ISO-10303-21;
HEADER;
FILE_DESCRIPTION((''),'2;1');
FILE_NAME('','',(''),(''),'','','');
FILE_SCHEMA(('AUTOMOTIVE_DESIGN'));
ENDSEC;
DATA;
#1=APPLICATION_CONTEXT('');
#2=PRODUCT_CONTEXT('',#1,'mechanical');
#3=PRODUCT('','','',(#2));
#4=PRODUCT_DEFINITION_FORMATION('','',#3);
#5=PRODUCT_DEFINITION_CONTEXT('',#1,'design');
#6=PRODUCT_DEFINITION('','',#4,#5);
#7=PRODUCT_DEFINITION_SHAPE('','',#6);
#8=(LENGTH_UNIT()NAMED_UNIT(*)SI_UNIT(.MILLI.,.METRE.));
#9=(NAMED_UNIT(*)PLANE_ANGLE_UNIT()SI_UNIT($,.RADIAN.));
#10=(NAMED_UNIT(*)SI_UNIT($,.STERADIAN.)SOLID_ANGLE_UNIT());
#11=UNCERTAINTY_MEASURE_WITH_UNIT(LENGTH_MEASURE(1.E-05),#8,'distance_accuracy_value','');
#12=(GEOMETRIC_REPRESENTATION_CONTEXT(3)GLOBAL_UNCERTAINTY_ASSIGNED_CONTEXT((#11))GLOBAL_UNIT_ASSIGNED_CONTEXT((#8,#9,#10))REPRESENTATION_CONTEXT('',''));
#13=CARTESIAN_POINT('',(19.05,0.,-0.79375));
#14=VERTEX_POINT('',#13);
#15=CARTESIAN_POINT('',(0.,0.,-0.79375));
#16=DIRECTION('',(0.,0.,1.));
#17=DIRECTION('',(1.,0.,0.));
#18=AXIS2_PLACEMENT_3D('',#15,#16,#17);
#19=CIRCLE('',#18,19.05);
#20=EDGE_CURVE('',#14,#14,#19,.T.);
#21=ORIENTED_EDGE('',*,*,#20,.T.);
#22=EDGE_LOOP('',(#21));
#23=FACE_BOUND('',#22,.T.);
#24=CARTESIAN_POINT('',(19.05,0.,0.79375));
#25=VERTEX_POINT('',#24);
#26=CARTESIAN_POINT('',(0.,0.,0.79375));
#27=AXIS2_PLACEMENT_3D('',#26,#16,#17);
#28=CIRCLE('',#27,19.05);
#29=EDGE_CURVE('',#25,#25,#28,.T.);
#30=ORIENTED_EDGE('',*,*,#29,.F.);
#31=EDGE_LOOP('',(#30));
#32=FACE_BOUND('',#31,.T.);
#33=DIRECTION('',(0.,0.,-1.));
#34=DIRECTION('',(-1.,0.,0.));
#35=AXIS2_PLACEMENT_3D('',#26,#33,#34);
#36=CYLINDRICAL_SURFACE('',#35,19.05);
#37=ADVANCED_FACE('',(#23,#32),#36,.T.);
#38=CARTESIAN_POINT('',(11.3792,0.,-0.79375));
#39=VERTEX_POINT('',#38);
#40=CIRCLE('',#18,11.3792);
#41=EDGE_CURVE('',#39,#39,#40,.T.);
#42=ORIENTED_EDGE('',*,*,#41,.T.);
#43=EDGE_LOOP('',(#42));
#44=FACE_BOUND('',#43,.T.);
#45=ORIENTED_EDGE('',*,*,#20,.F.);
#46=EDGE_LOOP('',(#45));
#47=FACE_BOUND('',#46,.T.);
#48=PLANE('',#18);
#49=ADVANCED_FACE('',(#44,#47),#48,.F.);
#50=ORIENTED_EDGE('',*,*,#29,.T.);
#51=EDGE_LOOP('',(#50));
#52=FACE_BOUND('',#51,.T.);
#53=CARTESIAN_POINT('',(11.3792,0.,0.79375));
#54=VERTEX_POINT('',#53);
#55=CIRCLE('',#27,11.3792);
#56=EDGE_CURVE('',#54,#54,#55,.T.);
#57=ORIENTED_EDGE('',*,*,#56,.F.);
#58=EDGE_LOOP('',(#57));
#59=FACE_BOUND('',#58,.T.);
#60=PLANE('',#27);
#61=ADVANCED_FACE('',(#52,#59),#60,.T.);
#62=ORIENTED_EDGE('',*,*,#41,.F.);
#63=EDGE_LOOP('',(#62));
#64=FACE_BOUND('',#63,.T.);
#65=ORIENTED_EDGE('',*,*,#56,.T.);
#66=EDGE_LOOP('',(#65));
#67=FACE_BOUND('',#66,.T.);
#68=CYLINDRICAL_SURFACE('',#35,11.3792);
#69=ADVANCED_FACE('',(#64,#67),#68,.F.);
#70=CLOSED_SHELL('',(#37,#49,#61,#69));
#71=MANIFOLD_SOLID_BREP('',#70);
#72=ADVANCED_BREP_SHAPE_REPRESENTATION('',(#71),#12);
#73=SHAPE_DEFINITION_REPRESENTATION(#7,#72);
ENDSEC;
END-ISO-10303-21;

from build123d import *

# Parameters (mm, degrees)
SKETCH1_R      = 19.05
SKETCH1_R_2    = 11.3792
EXTRUDE1_DEPTH = 0.79375


with BuildPart() as part:
    # Sketch1 → Extrude1 (new body, symmetric)
    with BuildSketch(Plane.XY):
        Circle(SKETCH1_R)
        Circle(SKETCH1_R_2, mode=Mode.SUBTRACT)
    extrude(amount=EXTRUDE1_DEPTH, both=True)


solid = part.part
